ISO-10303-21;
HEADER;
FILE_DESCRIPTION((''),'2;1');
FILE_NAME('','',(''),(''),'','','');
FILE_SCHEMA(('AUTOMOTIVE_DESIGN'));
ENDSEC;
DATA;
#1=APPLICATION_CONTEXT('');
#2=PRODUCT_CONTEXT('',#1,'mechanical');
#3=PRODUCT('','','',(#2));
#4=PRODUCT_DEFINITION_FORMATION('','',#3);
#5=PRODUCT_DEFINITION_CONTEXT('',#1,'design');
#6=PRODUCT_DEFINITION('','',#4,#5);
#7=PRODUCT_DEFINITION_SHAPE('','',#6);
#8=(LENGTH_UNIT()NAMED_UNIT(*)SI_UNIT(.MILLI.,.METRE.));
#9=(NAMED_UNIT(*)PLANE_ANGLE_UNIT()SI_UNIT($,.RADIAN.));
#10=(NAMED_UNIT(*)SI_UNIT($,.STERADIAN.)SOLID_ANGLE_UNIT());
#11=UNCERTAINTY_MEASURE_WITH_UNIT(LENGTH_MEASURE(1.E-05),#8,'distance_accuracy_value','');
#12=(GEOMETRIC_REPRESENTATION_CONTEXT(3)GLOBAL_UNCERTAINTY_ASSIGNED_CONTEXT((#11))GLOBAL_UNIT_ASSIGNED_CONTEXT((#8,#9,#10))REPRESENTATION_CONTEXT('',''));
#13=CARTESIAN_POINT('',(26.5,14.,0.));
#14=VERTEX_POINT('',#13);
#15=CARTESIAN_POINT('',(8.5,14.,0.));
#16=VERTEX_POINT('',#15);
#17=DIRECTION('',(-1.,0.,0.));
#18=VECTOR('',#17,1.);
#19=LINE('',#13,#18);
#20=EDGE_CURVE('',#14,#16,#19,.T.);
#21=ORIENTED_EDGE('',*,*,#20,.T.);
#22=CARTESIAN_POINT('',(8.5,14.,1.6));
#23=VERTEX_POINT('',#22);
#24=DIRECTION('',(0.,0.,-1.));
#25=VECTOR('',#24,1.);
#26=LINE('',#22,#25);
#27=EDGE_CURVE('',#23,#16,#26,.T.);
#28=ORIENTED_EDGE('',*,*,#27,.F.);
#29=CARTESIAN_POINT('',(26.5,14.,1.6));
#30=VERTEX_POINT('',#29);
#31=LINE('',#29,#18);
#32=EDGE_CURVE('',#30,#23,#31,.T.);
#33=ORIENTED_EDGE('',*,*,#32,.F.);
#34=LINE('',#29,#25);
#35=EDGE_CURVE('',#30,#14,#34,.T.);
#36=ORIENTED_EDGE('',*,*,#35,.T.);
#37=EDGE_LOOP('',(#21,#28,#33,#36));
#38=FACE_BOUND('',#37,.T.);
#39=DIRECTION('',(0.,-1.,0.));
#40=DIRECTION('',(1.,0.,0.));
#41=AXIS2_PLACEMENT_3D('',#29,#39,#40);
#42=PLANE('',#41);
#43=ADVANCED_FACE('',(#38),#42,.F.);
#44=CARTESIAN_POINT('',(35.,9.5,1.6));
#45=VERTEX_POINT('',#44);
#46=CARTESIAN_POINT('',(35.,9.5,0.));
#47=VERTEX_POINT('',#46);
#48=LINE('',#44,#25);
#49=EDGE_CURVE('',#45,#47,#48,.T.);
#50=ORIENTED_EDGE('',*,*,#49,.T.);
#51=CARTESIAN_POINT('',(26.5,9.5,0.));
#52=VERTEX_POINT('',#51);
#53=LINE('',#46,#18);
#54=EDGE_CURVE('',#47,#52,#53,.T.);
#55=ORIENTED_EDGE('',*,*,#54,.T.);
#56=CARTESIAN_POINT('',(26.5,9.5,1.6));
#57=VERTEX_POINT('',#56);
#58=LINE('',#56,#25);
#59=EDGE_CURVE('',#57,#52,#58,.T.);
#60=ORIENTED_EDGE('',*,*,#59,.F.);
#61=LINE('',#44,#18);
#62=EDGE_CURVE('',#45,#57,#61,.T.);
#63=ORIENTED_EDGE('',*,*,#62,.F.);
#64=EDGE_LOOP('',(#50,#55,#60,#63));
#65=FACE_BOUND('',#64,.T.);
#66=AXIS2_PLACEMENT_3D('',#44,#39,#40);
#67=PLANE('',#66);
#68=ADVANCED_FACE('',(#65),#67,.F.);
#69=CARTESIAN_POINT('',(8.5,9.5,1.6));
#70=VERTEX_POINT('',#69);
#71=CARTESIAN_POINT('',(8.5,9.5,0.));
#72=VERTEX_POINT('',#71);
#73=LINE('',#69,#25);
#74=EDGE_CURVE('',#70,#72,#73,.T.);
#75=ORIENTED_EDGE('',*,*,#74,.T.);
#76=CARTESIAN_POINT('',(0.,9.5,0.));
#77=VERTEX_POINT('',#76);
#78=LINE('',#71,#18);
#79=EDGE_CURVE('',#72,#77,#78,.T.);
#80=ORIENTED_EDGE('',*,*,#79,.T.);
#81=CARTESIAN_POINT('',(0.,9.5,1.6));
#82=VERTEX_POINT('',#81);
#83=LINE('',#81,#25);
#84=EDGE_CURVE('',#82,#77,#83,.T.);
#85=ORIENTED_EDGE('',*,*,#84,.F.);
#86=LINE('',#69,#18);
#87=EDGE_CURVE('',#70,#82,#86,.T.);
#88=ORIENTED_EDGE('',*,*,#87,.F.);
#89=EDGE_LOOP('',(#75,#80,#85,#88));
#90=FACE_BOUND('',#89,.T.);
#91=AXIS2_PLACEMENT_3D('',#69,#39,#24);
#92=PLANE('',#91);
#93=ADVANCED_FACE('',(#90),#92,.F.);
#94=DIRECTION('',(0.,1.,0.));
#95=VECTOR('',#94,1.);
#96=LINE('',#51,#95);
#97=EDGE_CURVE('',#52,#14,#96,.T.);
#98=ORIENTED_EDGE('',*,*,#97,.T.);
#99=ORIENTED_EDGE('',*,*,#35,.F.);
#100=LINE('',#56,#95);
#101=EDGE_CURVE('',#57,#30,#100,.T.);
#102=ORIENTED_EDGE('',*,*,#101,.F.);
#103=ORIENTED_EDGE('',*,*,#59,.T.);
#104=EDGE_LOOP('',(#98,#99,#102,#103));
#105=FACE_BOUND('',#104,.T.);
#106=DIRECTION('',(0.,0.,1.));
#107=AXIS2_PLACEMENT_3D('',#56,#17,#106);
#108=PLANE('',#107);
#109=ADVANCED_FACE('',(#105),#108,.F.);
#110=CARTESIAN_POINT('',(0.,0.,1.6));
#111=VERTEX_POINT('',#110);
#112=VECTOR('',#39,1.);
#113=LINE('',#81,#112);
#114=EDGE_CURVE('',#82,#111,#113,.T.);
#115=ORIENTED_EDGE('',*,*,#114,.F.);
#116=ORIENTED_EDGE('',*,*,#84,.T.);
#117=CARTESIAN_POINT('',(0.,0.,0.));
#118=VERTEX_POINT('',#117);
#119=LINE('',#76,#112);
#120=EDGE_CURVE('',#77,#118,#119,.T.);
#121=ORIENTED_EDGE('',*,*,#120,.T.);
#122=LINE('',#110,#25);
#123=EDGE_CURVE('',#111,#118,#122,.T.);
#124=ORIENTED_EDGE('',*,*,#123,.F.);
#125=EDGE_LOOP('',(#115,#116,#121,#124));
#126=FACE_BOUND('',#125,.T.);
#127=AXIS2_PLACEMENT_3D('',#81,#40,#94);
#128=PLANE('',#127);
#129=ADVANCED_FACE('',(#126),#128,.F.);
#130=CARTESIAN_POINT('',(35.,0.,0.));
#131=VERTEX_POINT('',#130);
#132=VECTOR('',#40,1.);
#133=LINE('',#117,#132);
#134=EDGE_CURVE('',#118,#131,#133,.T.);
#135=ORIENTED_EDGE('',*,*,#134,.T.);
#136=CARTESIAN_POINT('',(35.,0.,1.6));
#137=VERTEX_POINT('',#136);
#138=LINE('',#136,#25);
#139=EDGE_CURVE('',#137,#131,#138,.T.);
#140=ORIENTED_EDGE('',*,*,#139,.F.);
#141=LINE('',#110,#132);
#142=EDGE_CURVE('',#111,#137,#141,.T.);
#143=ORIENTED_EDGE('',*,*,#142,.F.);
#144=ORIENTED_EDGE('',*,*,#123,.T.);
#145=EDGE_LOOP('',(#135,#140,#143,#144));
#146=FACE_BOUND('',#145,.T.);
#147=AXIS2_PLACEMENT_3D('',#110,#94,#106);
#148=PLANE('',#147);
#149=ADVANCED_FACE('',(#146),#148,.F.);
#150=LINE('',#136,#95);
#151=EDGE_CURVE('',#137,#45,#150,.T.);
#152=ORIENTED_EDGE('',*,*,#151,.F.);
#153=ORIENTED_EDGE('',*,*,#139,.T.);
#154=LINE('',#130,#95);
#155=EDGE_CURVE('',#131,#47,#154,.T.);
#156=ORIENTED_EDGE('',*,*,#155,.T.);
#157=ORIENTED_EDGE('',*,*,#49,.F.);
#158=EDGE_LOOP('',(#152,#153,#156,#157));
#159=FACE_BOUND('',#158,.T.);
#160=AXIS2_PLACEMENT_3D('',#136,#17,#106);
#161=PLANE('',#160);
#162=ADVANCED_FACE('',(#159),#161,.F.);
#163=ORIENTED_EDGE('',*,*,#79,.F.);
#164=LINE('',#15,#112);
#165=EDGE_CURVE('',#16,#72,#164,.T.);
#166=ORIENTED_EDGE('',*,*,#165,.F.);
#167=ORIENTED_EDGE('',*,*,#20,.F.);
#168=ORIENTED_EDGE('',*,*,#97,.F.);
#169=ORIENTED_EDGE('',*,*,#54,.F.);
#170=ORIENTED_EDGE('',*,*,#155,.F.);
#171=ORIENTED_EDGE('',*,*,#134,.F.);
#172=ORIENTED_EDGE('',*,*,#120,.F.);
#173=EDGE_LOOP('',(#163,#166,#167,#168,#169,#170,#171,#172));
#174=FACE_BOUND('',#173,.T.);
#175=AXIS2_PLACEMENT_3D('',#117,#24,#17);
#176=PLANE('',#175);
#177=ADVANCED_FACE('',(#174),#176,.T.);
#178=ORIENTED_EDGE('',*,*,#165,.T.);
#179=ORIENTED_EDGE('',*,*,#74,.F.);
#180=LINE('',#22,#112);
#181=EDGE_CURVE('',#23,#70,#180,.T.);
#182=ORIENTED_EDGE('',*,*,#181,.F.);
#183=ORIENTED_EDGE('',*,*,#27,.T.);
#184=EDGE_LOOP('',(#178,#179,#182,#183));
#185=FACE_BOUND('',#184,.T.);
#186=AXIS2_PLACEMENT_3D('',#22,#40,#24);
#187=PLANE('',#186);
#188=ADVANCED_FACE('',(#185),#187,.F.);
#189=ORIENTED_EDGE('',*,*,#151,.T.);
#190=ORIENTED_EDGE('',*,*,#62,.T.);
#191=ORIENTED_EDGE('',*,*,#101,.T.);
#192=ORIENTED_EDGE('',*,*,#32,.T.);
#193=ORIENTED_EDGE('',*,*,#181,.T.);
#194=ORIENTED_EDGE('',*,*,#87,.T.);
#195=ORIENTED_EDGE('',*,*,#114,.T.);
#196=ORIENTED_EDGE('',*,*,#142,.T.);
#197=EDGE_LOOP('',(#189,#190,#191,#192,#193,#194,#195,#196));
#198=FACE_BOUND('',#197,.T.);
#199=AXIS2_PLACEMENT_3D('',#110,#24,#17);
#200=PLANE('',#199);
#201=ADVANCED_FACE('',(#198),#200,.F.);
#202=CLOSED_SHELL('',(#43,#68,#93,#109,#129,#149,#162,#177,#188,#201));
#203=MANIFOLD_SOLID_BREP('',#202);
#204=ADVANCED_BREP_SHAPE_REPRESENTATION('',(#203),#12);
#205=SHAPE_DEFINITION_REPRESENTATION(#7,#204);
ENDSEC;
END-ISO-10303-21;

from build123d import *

# Parameters (mm, degrees)
BOSS_EXTRUDE1_DEPTH = 1.6


with BuildPart() as part:
    # Sketch1 → Boss-Extrude1 (new body)
    with BuildSketch(Plane.XY):
        Polygon((0, 0), (35, 0), (35, 9.5), (26.5, 9.5), (26.5, 14), (8.5, 14), (8.5, 9.5), (0, 9.5), align=None)
    extrude(amount=BOSS_EXTRUDE1_DEPTH)


solid = part.part
